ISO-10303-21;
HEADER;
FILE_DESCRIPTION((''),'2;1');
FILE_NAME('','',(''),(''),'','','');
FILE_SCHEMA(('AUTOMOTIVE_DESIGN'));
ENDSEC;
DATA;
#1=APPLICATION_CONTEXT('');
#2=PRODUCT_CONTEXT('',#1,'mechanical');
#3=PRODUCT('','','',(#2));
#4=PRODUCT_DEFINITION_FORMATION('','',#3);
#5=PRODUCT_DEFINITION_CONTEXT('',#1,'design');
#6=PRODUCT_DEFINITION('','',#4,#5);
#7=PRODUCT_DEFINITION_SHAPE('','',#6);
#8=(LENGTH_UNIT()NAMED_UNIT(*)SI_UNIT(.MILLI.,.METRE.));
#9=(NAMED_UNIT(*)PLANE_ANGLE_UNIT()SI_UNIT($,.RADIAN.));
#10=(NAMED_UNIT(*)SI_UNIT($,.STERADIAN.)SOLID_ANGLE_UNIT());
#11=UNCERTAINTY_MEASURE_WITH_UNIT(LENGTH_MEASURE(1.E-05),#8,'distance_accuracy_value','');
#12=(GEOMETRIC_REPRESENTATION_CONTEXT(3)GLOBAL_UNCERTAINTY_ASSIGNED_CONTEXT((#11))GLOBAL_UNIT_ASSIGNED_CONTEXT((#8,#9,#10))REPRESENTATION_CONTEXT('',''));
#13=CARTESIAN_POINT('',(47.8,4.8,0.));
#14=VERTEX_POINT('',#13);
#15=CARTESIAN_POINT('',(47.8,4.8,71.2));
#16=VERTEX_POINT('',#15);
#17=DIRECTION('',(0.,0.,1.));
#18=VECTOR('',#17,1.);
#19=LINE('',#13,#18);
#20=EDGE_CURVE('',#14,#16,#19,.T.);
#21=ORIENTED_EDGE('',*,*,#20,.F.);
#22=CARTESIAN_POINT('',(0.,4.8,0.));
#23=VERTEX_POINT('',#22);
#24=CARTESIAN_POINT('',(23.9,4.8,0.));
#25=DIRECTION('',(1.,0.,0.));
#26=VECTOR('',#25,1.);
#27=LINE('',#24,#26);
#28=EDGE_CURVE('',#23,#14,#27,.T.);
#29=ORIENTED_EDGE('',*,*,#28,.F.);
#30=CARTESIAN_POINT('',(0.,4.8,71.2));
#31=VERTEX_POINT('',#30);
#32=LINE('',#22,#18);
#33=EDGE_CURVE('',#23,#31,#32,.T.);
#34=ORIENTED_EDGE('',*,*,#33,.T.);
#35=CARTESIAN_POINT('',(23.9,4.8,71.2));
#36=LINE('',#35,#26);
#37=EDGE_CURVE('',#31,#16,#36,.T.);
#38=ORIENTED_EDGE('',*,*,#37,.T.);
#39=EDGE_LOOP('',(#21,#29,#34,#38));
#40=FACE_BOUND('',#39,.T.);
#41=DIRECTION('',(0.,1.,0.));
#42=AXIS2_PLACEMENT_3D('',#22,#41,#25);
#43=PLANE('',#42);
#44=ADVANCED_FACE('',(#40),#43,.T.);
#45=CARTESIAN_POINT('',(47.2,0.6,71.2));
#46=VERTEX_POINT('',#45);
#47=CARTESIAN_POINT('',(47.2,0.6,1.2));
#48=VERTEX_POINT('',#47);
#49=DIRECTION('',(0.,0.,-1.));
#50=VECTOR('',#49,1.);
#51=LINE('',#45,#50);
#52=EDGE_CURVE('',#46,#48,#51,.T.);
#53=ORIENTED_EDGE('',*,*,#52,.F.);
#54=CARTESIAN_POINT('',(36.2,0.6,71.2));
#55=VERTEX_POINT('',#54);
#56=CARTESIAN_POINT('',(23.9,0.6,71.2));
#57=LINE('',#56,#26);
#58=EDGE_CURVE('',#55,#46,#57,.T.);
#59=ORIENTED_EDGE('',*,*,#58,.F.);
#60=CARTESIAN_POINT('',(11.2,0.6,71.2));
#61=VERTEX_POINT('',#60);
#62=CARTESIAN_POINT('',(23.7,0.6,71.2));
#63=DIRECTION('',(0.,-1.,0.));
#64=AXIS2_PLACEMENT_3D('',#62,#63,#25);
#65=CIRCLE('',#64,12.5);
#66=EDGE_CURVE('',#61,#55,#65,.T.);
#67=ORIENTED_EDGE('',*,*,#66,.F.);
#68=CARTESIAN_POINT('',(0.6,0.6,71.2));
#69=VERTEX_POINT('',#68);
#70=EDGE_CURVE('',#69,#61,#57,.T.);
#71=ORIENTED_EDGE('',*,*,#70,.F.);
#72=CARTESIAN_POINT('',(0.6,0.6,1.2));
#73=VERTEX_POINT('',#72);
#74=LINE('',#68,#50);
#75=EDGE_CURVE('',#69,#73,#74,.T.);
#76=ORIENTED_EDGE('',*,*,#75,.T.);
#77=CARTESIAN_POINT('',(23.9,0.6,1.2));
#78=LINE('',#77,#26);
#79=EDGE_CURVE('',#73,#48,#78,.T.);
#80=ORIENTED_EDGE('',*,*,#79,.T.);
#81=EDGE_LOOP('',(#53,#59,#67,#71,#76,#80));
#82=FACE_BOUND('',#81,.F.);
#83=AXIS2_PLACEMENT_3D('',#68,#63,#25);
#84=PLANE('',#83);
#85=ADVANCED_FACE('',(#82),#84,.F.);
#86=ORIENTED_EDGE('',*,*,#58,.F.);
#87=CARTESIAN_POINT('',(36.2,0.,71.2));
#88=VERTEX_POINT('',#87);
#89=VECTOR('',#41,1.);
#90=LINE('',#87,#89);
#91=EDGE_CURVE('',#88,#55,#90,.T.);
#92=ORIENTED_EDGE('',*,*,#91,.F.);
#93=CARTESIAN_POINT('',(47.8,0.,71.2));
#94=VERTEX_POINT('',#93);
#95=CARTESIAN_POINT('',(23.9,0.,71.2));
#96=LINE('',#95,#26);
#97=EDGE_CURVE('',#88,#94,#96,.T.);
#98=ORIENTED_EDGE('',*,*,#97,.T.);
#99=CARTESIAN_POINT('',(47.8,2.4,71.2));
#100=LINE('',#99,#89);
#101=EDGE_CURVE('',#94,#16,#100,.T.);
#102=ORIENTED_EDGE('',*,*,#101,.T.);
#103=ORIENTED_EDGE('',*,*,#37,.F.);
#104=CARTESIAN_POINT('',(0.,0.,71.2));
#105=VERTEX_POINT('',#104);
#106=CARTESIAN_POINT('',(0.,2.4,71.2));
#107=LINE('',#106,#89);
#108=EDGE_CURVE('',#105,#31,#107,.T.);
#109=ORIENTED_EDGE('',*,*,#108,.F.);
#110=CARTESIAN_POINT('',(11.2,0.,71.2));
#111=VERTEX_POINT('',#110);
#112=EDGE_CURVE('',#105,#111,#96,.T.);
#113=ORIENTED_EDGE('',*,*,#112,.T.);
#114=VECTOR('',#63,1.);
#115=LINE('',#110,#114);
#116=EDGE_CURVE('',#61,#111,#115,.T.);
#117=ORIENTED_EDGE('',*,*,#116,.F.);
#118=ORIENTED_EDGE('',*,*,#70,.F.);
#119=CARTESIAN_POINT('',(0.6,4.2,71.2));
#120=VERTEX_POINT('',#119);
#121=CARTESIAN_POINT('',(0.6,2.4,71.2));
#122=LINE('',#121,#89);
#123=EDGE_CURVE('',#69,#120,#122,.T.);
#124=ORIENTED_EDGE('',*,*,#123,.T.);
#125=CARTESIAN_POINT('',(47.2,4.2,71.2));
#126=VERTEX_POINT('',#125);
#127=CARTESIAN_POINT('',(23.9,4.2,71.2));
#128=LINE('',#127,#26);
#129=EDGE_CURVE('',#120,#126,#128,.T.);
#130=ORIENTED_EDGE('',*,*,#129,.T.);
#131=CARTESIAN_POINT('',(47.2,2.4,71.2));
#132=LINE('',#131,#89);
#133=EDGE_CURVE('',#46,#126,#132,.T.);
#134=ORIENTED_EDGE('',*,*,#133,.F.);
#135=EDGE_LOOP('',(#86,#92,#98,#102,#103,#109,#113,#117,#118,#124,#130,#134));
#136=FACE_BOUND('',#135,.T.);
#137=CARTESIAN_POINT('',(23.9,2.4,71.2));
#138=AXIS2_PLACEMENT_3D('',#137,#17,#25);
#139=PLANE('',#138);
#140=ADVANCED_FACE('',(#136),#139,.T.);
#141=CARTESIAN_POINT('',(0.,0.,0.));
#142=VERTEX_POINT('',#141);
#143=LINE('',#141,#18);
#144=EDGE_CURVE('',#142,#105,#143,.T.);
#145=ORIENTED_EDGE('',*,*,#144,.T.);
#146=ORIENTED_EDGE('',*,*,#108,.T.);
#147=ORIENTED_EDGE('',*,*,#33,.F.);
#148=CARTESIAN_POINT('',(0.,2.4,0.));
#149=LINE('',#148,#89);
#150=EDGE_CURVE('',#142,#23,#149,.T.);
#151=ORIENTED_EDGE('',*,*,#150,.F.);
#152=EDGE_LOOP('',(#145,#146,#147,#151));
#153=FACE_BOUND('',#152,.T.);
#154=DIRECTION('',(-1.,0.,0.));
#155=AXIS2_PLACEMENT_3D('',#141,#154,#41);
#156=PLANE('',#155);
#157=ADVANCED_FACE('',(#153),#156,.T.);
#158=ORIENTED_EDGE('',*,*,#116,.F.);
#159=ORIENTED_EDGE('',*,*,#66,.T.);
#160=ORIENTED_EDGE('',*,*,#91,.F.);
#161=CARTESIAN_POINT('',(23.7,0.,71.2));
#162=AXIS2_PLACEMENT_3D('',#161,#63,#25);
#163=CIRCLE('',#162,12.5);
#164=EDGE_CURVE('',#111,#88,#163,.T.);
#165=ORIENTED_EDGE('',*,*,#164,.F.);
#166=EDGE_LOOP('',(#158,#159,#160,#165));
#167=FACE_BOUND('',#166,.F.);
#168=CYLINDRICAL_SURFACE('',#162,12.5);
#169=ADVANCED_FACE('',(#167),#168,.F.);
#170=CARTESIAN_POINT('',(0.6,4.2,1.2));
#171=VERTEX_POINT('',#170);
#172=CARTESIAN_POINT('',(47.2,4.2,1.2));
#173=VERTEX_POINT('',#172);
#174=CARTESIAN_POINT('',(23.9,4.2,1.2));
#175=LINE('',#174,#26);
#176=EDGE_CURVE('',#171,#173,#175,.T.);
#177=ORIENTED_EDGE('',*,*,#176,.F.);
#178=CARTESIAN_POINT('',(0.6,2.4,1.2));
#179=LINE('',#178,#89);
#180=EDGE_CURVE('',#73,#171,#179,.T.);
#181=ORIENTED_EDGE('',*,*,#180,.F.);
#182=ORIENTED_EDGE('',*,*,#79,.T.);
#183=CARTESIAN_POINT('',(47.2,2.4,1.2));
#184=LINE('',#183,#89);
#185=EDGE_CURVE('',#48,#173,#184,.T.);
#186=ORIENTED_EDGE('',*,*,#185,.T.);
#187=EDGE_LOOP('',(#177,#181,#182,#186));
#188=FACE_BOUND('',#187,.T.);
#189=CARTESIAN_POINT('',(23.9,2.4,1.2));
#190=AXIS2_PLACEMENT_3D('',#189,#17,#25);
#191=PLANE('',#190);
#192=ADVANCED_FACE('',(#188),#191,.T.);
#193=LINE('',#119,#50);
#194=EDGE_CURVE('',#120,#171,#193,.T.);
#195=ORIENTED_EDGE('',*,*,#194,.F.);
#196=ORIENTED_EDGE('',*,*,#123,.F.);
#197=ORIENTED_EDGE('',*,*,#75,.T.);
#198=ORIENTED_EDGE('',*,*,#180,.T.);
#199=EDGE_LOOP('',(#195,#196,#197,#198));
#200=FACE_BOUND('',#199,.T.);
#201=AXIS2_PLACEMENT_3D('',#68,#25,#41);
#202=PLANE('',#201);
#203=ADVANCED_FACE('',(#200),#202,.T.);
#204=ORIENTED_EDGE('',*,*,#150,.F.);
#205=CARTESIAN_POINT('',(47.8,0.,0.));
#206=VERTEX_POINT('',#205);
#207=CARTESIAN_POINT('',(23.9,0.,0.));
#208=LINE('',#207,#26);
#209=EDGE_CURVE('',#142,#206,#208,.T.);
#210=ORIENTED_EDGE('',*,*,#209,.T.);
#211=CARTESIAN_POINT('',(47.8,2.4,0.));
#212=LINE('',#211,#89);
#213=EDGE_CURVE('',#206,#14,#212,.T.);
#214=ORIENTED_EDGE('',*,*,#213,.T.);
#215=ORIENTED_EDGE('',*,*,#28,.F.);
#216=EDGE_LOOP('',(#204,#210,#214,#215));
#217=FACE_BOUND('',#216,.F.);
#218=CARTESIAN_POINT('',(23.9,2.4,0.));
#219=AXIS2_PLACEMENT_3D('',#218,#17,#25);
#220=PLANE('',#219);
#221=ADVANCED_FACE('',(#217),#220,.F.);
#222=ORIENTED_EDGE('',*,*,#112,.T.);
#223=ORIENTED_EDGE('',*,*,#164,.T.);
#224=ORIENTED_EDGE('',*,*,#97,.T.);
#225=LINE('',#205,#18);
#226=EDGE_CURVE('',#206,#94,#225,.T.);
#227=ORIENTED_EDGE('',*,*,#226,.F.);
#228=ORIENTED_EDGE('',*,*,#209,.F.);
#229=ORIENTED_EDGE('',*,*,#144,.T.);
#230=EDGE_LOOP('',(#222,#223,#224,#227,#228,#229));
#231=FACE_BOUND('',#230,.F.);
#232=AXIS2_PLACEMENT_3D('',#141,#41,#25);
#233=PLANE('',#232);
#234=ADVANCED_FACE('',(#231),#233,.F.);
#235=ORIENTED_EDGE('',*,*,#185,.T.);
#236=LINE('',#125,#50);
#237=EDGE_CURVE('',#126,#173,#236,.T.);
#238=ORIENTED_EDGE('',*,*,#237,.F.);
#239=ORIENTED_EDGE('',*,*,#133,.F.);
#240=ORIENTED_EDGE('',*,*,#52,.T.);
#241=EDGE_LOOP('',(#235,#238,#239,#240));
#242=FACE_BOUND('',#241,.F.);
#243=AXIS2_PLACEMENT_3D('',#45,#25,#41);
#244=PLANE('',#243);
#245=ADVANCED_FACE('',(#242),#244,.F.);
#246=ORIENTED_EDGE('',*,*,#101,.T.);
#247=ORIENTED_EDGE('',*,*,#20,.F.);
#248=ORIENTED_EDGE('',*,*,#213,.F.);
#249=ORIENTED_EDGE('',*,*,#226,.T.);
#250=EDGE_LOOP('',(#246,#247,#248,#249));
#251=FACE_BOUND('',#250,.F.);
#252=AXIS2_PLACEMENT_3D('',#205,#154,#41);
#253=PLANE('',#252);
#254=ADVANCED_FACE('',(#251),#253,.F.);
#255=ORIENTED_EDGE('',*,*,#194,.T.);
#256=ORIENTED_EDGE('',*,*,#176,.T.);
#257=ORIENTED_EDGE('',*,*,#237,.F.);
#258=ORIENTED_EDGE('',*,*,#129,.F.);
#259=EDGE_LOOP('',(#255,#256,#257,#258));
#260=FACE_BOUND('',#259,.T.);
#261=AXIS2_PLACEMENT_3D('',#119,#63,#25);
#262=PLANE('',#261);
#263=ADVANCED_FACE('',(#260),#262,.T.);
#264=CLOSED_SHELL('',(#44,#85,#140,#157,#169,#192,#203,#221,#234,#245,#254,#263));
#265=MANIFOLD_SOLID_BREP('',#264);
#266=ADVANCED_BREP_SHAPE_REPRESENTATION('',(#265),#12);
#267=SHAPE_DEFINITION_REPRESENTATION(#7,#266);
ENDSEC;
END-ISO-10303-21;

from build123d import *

# Parameters (mm, degrees)
SKETCH_W        = 47.8
SKETCH_H        = 4.8
PAD_DEPTH       = 71.2
SKETCH001_W     = 46.6
SKETCH001_H     = 3.6
POCKET_DEPTH    = 70
SKETCH002_R     = 12.5
POCKET001_DEPTH = 0.6


with BuildPart() as part:
    # Sketch → Pad (new body)
    with BuildSketch(Plane.XY):
        with Locations((23.9, 2.4)):
            Rectangle(SKETCH_W, SKETCH_H)
    extrude(amount=PAD_DEPTH)

    # Sketch001 (on Face6 of Pad) → Pocket (cut)
    with BuildSketch(Plane.XY.offset(71.2)):
        with Locations((23.9, 2.4)):
            Rectangle(SKETCH001_W, SKETCH001_H)
    extrude(amount=-POCKET_DEPTH, mode=Mode.SUBTRACT)

    # Sketch002 (on Face6 of Pocket) → Pocket001 (cut)
    with BuildSketch(Plane.XZ):
        with Locations((23.7, 71.2)):
            Circle(SKETCH002_R)
    extrude(amount=-POCKET001_DEPTH, mode=Mode.SUBTRACT)


solid = part.part
